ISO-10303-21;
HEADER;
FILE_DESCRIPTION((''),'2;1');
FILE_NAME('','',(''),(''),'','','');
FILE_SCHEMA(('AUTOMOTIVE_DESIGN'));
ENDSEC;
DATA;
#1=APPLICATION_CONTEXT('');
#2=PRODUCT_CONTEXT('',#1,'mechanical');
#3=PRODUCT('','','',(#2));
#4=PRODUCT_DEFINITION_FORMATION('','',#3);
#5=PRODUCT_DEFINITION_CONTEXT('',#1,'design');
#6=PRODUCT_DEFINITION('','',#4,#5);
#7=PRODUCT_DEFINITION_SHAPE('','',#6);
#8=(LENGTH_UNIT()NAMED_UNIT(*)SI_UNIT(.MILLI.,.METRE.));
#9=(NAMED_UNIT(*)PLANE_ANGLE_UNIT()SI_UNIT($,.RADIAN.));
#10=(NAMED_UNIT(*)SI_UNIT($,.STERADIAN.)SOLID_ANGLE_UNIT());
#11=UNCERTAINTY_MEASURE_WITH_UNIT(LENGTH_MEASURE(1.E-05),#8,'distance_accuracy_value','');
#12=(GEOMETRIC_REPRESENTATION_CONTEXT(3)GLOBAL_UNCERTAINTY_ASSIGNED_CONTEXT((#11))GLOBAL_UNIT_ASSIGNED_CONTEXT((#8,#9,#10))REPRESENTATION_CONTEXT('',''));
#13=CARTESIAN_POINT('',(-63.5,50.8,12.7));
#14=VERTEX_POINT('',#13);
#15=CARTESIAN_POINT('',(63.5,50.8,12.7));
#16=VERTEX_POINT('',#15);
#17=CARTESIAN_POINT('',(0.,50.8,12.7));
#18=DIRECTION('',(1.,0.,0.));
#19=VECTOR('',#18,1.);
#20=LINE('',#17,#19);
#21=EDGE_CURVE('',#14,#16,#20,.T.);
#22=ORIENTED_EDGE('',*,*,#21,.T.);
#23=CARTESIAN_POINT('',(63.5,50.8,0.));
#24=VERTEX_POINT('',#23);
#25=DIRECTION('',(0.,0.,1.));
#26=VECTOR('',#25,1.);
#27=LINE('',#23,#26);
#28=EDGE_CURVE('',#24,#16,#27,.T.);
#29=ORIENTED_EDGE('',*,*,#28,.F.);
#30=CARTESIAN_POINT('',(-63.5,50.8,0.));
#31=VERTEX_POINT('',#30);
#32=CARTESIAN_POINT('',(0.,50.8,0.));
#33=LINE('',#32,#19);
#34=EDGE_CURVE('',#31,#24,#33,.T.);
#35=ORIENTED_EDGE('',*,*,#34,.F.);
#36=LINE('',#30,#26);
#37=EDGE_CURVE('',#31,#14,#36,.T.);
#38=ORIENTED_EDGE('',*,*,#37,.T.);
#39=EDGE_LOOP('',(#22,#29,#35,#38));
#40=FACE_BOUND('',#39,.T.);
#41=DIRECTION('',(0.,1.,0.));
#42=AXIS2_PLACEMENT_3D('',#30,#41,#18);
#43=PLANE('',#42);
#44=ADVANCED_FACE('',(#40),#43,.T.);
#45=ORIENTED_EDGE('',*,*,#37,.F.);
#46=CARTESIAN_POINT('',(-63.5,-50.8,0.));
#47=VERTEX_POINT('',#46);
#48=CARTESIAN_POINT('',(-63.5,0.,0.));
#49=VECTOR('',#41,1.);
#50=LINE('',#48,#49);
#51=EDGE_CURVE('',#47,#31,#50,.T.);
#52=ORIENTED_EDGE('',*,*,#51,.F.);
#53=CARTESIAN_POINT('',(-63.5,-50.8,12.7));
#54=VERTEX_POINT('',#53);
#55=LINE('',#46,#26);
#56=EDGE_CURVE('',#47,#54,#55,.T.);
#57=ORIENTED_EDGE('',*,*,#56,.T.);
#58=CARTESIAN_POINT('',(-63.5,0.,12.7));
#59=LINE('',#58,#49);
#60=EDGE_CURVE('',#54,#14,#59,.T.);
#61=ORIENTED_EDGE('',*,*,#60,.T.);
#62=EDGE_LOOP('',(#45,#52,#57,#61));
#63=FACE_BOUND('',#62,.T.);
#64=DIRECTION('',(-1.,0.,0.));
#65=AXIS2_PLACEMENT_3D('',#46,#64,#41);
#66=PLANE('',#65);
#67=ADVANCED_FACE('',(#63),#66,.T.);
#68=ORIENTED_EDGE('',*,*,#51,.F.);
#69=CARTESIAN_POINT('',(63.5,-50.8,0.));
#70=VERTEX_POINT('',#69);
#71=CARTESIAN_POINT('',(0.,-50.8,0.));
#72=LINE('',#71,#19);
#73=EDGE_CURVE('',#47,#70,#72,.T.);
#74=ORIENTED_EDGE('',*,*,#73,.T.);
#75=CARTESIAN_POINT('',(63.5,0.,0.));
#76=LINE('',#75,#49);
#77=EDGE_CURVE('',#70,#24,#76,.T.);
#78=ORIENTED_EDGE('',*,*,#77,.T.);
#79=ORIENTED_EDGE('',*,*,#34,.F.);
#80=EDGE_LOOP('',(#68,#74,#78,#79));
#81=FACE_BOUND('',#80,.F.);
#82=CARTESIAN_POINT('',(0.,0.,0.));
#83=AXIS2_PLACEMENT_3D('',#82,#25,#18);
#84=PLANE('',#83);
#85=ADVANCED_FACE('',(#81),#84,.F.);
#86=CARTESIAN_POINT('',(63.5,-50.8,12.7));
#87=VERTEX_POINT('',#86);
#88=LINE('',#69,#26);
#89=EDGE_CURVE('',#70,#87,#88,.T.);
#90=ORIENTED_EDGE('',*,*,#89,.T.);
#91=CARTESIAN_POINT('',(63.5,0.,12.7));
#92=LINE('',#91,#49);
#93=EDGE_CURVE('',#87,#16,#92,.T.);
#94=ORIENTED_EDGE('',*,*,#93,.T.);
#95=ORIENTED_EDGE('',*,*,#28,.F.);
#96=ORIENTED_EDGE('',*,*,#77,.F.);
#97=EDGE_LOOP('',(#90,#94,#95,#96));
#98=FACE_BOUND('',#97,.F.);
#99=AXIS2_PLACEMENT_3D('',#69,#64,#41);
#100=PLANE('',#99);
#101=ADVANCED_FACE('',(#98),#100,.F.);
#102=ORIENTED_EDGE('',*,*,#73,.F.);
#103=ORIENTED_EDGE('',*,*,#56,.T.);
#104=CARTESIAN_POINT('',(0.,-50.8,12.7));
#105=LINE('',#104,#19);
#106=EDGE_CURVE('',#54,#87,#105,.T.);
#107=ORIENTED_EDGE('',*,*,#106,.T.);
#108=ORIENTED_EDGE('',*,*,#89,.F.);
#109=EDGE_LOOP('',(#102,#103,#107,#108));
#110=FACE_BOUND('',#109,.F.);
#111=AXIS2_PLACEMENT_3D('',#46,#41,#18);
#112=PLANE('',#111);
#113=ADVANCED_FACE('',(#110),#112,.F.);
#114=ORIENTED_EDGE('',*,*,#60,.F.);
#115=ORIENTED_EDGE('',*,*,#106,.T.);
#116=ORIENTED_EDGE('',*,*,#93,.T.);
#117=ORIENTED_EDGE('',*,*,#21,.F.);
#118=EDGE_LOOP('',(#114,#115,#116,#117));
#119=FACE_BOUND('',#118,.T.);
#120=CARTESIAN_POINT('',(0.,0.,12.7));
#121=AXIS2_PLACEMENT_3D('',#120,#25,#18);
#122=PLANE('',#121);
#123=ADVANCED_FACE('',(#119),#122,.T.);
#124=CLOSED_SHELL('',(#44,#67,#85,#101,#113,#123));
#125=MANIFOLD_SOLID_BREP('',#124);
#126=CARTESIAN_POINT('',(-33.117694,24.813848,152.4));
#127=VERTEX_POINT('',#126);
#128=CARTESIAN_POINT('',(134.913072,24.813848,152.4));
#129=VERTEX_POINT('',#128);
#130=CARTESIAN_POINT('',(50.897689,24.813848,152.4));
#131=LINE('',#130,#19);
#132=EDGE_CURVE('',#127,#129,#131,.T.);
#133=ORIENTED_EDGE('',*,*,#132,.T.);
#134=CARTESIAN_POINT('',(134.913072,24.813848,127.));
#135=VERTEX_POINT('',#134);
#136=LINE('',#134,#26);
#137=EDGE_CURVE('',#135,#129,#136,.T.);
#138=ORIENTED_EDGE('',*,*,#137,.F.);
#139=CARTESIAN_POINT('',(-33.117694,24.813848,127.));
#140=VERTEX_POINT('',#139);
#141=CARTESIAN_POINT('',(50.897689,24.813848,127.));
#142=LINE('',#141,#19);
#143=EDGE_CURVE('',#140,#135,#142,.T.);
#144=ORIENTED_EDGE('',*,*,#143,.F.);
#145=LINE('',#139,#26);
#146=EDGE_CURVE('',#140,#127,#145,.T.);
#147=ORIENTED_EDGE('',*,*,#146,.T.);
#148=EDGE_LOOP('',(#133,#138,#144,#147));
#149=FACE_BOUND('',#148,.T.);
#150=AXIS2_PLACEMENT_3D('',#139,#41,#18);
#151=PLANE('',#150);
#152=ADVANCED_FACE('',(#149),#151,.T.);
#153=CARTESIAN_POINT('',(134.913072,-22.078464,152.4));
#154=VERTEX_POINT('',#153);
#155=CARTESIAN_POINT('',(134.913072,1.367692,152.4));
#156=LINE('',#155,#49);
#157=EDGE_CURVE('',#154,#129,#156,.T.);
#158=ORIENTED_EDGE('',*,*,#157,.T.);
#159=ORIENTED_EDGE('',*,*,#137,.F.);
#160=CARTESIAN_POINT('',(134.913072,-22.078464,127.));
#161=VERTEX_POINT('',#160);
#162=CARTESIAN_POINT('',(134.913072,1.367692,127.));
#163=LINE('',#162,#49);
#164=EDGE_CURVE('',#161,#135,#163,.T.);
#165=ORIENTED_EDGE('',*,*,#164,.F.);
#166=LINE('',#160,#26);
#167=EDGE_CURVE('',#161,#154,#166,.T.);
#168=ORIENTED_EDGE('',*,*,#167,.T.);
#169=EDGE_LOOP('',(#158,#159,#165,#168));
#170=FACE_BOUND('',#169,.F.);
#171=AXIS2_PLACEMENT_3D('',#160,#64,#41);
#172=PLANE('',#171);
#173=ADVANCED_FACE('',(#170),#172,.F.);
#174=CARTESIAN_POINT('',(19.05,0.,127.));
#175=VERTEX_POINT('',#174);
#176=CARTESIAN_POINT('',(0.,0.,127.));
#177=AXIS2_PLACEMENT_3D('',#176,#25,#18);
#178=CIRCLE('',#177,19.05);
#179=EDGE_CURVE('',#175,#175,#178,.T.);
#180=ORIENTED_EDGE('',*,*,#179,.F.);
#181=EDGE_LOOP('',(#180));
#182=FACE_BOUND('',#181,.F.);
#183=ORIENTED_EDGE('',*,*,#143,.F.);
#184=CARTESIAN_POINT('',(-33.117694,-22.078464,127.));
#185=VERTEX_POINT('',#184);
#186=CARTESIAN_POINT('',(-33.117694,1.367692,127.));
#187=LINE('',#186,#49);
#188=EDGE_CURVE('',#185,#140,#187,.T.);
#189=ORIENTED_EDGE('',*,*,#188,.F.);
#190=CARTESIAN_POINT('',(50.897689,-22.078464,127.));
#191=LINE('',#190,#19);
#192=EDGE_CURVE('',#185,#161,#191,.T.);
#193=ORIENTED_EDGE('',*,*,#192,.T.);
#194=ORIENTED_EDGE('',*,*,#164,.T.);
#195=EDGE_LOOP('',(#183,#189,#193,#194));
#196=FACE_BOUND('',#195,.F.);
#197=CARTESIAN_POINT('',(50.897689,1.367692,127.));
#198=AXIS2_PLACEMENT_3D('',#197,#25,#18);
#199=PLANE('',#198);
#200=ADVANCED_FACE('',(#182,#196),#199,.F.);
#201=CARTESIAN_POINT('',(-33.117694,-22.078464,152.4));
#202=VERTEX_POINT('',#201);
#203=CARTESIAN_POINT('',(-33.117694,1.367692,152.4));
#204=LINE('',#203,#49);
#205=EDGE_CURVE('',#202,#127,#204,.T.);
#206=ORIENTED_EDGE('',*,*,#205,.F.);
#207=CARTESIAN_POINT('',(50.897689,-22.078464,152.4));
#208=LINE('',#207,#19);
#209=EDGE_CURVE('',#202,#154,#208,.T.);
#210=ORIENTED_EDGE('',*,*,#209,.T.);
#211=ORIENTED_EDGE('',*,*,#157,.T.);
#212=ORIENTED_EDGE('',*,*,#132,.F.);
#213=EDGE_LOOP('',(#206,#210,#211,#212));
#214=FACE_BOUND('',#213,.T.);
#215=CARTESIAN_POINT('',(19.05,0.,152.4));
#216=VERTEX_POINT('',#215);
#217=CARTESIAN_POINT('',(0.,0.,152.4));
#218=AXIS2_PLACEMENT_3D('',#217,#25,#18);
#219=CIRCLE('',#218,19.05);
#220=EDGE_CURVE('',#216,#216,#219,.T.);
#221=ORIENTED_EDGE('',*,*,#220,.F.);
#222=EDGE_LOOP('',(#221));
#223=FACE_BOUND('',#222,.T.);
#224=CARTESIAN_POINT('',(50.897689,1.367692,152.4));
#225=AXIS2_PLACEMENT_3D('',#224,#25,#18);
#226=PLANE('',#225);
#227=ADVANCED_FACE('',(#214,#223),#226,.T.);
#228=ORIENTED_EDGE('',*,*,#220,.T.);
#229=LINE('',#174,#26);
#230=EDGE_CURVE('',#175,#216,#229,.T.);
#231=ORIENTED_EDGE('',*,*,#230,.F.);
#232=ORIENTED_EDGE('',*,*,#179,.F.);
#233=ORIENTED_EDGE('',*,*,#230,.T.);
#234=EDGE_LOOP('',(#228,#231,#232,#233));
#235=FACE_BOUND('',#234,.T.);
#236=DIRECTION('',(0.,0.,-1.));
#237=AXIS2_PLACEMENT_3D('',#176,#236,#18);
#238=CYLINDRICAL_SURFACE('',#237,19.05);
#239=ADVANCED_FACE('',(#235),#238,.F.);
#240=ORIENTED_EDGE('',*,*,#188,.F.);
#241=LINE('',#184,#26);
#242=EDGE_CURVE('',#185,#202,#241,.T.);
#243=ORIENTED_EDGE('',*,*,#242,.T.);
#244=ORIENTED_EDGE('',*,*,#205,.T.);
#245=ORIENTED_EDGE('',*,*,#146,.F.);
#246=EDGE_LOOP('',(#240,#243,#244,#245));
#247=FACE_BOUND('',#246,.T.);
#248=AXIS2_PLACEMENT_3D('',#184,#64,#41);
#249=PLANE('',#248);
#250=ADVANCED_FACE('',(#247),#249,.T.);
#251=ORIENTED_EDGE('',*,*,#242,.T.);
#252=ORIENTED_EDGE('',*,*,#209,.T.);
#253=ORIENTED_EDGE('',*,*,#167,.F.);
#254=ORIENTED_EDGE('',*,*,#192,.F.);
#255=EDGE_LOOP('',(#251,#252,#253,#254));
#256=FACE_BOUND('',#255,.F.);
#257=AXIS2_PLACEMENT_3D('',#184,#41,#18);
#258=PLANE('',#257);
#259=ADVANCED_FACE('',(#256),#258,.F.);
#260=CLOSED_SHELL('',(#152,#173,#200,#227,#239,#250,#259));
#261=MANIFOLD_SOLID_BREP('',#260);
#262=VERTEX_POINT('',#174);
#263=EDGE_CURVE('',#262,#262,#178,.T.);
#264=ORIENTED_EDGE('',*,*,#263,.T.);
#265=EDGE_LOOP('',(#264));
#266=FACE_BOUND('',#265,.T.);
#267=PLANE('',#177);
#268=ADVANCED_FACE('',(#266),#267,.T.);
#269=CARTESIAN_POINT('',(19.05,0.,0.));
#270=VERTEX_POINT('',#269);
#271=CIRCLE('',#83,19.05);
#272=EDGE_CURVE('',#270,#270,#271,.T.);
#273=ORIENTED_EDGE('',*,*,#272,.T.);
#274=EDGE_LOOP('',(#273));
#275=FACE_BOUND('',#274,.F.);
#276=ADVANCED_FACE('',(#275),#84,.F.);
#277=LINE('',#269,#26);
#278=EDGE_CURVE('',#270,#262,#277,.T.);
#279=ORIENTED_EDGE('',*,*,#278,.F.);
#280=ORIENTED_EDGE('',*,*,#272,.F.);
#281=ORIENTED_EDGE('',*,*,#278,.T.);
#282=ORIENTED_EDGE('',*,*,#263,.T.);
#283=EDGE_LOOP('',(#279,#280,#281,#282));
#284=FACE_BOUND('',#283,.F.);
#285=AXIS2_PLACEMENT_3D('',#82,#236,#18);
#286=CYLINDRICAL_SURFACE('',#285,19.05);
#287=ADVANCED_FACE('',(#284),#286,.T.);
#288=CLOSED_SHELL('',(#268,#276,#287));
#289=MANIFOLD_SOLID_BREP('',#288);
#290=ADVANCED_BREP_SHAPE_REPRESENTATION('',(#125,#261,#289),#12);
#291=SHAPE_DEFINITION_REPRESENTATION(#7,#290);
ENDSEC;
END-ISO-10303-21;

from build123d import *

# Parameters (mm, degrees)
F0_W     = 127
F0_H     = 101.6
F1_DEPTH = 12.7
F2_R     = 19.05
F3_DEPTH = 127
F4_W     = 168.030765
F4_H     = 46.892312
F4_R     = 19.05
F5_DEPTH = 25.4


with BuildPart() as f1:
    # F0 (on Top) → F1 (new body)
    with BuildSketch(Plane.XY):
        Rectangle(F0_W, F0_H)
    extrude(amount=F1_DEPTH)


with BuildPart() as f3:
    # F2 (on Top) → F3 (new body)
    with BuildSketch(Plane.XY):
        Circle(F2_R)
    extrude(amount=F3_DEPTH)


with BuildPart() as f5:
    # F4 (on face) → F5 (new body)
    with BuildSketch(Plane.XY.offset(127)):
        with Locations((50.897689, 1.367692)):
            Rectangle(F4_W, F4_H)
        Circle(F4_R, mode=Mode.SUBTRACT)
    extrude(amount=F5_DEPTH)


solid = Compound([f1.part, f3.part, f5.part])
